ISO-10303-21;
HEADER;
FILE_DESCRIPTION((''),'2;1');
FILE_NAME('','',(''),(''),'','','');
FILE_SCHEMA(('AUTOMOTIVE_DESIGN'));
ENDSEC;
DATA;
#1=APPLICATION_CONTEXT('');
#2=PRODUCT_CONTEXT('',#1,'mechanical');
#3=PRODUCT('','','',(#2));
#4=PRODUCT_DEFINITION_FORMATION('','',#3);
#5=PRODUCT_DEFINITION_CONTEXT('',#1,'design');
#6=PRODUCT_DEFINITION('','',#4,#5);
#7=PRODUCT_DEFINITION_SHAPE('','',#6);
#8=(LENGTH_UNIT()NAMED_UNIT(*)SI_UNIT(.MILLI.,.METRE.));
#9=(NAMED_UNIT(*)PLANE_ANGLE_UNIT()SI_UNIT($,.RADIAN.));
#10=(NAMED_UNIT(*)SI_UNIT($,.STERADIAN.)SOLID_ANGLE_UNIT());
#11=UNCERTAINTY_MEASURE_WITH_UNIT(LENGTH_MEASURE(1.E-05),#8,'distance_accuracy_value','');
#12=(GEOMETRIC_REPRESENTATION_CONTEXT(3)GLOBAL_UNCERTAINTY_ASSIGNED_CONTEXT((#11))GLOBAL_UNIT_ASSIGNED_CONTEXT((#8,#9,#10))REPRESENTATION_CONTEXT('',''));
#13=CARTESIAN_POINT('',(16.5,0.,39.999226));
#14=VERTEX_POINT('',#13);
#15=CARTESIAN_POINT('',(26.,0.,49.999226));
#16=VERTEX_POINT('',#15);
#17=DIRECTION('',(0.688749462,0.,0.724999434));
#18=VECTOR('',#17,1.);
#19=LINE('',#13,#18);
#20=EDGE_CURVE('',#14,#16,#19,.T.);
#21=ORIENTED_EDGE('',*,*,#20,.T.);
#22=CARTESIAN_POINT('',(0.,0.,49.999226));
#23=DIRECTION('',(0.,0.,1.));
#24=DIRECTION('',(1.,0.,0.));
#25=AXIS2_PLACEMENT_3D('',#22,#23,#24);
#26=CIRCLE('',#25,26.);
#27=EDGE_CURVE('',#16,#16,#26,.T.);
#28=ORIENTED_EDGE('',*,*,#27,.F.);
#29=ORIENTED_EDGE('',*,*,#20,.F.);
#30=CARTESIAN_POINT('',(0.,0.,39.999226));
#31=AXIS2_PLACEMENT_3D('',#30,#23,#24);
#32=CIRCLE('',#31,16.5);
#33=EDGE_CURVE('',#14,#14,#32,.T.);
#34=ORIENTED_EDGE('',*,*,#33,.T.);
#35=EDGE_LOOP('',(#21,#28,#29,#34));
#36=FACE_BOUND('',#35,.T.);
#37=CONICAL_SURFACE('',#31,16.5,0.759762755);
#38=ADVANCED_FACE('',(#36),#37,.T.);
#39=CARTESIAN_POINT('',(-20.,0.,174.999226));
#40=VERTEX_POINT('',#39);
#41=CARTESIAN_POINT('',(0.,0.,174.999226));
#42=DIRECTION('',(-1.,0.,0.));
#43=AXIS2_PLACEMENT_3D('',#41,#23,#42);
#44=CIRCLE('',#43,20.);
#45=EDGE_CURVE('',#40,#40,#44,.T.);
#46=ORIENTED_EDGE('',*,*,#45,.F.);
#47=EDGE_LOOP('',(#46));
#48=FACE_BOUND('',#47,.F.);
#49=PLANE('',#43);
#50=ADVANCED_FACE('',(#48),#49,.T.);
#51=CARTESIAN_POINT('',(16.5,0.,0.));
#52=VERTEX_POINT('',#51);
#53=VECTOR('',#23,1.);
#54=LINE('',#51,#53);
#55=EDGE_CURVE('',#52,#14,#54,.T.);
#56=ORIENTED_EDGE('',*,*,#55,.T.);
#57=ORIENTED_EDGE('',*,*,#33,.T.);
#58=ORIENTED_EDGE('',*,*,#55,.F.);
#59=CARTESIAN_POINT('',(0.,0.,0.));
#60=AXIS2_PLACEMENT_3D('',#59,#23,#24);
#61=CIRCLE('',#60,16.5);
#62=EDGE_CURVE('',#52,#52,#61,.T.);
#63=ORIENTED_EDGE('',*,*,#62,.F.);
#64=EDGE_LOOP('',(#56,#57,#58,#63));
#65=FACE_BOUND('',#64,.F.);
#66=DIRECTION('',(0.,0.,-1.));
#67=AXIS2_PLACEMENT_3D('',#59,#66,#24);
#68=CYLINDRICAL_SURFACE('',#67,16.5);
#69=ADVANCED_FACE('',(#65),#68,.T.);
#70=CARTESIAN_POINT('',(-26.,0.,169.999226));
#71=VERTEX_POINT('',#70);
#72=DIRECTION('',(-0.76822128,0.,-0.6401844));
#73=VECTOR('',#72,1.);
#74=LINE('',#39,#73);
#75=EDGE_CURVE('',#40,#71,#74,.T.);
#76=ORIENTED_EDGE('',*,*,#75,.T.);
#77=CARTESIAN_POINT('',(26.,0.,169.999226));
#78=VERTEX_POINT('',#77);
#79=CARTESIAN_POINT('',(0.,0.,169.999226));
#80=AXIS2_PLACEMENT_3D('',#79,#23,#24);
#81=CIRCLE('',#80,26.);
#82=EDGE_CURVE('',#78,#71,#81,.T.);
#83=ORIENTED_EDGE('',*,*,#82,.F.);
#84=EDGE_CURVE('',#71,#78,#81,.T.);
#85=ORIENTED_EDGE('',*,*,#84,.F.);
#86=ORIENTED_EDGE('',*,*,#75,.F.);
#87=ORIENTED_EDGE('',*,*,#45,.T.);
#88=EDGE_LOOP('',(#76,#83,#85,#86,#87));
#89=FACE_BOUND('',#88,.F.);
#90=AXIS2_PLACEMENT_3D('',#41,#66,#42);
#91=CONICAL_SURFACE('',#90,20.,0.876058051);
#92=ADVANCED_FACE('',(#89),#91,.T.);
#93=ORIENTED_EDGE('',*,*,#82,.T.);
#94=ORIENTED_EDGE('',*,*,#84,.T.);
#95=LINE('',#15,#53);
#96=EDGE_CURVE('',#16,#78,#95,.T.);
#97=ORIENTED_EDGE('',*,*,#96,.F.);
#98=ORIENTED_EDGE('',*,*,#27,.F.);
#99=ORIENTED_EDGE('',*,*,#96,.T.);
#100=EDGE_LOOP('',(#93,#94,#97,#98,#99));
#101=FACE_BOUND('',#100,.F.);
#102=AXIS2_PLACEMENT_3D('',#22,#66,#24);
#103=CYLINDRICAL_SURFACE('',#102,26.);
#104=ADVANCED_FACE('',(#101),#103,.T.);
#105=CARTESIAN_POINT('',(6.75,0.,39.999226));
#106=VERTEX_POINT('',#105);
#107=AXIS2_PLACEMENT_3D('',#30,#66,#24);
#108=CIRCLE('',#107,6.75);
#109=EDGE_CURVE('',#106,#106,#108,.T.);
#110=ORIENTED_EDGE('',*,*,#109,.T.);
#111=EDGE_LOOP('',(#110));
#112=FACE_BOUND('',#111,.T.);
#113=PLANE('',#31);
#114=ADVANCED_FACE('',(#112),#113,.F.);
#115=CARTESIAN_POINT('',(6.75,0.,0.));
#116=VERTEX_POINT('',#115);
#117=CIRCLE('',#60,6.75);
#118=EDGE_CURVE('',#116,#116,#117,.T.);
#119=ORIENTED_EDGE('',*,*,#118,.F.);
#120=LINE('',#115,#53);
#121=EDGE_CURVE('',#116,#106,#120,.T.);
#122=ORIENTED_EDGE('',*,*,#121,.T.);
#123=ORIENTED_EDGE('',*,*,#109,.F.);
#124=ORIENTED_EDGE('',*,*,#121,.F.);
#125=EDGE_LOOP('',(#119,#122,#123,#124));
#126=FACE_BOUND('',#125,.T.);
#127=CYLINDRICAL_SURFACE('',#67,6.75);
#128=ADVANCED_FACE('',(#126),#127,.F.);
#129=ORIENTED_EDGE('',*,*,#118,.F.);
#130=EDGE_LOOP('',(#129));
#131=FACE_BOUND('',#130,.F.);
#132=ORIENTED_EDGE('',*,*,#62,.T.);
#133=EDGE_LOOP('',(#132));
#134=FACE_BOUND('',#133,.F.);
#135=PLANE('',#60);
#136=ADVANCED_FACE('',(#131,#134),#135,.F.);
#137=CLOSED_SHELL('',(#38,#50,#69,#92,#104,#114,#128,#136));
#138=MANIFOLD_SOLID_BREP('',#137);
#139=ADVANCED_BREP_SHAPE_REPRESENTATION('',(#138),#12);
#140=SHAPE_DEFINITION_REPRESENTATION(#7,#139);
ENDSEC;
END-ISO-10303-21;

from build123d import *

# Parameters (mm, degrees)
F0_R     = 16.5
F0_R_2   = 6.75
F1_DEPTH = 40
F4_R     = 26
F5_DEPTH = 120


with BuildPart() as f1:
    # F0 (on Top) → F1 (new body)
    with BuildSketch(Plane.XY):
        Circle(F0_R)
        Circle(F0_R_2, mode=Mode.SUBTRACT)
    extrude(amount=F1_DEPTH)

    # F2 (on Front) → F3 (revolve)
    with BuildSketch(Plane.XZ):
        Polygon((0, 39.999226), (16.5, 39.999226), (26, 49.999226), (0, 49.999226), align=None)
    revolve(axis=Axis((0, 0, 44.999226), (0, 0, 1)))

    # F4 (on face) → F5 (join)
    with BuildSketch(Plane.XY.offset(49.999226)):
        Circle(F4_R)
    extrude(amount=F5_DEPTH)

    # F6 (on Front) → F7 (revolve)
    with BuildSketch(Plane.XZ):
        Polygon((0, 169.999226), (0, 174.999226), (-20, 174.999226), (-26, 169.999226), align=None)
    revolve(axis=Axis((0, 0, 172.499226), (0, 0, 1)))


solid = f1.part
